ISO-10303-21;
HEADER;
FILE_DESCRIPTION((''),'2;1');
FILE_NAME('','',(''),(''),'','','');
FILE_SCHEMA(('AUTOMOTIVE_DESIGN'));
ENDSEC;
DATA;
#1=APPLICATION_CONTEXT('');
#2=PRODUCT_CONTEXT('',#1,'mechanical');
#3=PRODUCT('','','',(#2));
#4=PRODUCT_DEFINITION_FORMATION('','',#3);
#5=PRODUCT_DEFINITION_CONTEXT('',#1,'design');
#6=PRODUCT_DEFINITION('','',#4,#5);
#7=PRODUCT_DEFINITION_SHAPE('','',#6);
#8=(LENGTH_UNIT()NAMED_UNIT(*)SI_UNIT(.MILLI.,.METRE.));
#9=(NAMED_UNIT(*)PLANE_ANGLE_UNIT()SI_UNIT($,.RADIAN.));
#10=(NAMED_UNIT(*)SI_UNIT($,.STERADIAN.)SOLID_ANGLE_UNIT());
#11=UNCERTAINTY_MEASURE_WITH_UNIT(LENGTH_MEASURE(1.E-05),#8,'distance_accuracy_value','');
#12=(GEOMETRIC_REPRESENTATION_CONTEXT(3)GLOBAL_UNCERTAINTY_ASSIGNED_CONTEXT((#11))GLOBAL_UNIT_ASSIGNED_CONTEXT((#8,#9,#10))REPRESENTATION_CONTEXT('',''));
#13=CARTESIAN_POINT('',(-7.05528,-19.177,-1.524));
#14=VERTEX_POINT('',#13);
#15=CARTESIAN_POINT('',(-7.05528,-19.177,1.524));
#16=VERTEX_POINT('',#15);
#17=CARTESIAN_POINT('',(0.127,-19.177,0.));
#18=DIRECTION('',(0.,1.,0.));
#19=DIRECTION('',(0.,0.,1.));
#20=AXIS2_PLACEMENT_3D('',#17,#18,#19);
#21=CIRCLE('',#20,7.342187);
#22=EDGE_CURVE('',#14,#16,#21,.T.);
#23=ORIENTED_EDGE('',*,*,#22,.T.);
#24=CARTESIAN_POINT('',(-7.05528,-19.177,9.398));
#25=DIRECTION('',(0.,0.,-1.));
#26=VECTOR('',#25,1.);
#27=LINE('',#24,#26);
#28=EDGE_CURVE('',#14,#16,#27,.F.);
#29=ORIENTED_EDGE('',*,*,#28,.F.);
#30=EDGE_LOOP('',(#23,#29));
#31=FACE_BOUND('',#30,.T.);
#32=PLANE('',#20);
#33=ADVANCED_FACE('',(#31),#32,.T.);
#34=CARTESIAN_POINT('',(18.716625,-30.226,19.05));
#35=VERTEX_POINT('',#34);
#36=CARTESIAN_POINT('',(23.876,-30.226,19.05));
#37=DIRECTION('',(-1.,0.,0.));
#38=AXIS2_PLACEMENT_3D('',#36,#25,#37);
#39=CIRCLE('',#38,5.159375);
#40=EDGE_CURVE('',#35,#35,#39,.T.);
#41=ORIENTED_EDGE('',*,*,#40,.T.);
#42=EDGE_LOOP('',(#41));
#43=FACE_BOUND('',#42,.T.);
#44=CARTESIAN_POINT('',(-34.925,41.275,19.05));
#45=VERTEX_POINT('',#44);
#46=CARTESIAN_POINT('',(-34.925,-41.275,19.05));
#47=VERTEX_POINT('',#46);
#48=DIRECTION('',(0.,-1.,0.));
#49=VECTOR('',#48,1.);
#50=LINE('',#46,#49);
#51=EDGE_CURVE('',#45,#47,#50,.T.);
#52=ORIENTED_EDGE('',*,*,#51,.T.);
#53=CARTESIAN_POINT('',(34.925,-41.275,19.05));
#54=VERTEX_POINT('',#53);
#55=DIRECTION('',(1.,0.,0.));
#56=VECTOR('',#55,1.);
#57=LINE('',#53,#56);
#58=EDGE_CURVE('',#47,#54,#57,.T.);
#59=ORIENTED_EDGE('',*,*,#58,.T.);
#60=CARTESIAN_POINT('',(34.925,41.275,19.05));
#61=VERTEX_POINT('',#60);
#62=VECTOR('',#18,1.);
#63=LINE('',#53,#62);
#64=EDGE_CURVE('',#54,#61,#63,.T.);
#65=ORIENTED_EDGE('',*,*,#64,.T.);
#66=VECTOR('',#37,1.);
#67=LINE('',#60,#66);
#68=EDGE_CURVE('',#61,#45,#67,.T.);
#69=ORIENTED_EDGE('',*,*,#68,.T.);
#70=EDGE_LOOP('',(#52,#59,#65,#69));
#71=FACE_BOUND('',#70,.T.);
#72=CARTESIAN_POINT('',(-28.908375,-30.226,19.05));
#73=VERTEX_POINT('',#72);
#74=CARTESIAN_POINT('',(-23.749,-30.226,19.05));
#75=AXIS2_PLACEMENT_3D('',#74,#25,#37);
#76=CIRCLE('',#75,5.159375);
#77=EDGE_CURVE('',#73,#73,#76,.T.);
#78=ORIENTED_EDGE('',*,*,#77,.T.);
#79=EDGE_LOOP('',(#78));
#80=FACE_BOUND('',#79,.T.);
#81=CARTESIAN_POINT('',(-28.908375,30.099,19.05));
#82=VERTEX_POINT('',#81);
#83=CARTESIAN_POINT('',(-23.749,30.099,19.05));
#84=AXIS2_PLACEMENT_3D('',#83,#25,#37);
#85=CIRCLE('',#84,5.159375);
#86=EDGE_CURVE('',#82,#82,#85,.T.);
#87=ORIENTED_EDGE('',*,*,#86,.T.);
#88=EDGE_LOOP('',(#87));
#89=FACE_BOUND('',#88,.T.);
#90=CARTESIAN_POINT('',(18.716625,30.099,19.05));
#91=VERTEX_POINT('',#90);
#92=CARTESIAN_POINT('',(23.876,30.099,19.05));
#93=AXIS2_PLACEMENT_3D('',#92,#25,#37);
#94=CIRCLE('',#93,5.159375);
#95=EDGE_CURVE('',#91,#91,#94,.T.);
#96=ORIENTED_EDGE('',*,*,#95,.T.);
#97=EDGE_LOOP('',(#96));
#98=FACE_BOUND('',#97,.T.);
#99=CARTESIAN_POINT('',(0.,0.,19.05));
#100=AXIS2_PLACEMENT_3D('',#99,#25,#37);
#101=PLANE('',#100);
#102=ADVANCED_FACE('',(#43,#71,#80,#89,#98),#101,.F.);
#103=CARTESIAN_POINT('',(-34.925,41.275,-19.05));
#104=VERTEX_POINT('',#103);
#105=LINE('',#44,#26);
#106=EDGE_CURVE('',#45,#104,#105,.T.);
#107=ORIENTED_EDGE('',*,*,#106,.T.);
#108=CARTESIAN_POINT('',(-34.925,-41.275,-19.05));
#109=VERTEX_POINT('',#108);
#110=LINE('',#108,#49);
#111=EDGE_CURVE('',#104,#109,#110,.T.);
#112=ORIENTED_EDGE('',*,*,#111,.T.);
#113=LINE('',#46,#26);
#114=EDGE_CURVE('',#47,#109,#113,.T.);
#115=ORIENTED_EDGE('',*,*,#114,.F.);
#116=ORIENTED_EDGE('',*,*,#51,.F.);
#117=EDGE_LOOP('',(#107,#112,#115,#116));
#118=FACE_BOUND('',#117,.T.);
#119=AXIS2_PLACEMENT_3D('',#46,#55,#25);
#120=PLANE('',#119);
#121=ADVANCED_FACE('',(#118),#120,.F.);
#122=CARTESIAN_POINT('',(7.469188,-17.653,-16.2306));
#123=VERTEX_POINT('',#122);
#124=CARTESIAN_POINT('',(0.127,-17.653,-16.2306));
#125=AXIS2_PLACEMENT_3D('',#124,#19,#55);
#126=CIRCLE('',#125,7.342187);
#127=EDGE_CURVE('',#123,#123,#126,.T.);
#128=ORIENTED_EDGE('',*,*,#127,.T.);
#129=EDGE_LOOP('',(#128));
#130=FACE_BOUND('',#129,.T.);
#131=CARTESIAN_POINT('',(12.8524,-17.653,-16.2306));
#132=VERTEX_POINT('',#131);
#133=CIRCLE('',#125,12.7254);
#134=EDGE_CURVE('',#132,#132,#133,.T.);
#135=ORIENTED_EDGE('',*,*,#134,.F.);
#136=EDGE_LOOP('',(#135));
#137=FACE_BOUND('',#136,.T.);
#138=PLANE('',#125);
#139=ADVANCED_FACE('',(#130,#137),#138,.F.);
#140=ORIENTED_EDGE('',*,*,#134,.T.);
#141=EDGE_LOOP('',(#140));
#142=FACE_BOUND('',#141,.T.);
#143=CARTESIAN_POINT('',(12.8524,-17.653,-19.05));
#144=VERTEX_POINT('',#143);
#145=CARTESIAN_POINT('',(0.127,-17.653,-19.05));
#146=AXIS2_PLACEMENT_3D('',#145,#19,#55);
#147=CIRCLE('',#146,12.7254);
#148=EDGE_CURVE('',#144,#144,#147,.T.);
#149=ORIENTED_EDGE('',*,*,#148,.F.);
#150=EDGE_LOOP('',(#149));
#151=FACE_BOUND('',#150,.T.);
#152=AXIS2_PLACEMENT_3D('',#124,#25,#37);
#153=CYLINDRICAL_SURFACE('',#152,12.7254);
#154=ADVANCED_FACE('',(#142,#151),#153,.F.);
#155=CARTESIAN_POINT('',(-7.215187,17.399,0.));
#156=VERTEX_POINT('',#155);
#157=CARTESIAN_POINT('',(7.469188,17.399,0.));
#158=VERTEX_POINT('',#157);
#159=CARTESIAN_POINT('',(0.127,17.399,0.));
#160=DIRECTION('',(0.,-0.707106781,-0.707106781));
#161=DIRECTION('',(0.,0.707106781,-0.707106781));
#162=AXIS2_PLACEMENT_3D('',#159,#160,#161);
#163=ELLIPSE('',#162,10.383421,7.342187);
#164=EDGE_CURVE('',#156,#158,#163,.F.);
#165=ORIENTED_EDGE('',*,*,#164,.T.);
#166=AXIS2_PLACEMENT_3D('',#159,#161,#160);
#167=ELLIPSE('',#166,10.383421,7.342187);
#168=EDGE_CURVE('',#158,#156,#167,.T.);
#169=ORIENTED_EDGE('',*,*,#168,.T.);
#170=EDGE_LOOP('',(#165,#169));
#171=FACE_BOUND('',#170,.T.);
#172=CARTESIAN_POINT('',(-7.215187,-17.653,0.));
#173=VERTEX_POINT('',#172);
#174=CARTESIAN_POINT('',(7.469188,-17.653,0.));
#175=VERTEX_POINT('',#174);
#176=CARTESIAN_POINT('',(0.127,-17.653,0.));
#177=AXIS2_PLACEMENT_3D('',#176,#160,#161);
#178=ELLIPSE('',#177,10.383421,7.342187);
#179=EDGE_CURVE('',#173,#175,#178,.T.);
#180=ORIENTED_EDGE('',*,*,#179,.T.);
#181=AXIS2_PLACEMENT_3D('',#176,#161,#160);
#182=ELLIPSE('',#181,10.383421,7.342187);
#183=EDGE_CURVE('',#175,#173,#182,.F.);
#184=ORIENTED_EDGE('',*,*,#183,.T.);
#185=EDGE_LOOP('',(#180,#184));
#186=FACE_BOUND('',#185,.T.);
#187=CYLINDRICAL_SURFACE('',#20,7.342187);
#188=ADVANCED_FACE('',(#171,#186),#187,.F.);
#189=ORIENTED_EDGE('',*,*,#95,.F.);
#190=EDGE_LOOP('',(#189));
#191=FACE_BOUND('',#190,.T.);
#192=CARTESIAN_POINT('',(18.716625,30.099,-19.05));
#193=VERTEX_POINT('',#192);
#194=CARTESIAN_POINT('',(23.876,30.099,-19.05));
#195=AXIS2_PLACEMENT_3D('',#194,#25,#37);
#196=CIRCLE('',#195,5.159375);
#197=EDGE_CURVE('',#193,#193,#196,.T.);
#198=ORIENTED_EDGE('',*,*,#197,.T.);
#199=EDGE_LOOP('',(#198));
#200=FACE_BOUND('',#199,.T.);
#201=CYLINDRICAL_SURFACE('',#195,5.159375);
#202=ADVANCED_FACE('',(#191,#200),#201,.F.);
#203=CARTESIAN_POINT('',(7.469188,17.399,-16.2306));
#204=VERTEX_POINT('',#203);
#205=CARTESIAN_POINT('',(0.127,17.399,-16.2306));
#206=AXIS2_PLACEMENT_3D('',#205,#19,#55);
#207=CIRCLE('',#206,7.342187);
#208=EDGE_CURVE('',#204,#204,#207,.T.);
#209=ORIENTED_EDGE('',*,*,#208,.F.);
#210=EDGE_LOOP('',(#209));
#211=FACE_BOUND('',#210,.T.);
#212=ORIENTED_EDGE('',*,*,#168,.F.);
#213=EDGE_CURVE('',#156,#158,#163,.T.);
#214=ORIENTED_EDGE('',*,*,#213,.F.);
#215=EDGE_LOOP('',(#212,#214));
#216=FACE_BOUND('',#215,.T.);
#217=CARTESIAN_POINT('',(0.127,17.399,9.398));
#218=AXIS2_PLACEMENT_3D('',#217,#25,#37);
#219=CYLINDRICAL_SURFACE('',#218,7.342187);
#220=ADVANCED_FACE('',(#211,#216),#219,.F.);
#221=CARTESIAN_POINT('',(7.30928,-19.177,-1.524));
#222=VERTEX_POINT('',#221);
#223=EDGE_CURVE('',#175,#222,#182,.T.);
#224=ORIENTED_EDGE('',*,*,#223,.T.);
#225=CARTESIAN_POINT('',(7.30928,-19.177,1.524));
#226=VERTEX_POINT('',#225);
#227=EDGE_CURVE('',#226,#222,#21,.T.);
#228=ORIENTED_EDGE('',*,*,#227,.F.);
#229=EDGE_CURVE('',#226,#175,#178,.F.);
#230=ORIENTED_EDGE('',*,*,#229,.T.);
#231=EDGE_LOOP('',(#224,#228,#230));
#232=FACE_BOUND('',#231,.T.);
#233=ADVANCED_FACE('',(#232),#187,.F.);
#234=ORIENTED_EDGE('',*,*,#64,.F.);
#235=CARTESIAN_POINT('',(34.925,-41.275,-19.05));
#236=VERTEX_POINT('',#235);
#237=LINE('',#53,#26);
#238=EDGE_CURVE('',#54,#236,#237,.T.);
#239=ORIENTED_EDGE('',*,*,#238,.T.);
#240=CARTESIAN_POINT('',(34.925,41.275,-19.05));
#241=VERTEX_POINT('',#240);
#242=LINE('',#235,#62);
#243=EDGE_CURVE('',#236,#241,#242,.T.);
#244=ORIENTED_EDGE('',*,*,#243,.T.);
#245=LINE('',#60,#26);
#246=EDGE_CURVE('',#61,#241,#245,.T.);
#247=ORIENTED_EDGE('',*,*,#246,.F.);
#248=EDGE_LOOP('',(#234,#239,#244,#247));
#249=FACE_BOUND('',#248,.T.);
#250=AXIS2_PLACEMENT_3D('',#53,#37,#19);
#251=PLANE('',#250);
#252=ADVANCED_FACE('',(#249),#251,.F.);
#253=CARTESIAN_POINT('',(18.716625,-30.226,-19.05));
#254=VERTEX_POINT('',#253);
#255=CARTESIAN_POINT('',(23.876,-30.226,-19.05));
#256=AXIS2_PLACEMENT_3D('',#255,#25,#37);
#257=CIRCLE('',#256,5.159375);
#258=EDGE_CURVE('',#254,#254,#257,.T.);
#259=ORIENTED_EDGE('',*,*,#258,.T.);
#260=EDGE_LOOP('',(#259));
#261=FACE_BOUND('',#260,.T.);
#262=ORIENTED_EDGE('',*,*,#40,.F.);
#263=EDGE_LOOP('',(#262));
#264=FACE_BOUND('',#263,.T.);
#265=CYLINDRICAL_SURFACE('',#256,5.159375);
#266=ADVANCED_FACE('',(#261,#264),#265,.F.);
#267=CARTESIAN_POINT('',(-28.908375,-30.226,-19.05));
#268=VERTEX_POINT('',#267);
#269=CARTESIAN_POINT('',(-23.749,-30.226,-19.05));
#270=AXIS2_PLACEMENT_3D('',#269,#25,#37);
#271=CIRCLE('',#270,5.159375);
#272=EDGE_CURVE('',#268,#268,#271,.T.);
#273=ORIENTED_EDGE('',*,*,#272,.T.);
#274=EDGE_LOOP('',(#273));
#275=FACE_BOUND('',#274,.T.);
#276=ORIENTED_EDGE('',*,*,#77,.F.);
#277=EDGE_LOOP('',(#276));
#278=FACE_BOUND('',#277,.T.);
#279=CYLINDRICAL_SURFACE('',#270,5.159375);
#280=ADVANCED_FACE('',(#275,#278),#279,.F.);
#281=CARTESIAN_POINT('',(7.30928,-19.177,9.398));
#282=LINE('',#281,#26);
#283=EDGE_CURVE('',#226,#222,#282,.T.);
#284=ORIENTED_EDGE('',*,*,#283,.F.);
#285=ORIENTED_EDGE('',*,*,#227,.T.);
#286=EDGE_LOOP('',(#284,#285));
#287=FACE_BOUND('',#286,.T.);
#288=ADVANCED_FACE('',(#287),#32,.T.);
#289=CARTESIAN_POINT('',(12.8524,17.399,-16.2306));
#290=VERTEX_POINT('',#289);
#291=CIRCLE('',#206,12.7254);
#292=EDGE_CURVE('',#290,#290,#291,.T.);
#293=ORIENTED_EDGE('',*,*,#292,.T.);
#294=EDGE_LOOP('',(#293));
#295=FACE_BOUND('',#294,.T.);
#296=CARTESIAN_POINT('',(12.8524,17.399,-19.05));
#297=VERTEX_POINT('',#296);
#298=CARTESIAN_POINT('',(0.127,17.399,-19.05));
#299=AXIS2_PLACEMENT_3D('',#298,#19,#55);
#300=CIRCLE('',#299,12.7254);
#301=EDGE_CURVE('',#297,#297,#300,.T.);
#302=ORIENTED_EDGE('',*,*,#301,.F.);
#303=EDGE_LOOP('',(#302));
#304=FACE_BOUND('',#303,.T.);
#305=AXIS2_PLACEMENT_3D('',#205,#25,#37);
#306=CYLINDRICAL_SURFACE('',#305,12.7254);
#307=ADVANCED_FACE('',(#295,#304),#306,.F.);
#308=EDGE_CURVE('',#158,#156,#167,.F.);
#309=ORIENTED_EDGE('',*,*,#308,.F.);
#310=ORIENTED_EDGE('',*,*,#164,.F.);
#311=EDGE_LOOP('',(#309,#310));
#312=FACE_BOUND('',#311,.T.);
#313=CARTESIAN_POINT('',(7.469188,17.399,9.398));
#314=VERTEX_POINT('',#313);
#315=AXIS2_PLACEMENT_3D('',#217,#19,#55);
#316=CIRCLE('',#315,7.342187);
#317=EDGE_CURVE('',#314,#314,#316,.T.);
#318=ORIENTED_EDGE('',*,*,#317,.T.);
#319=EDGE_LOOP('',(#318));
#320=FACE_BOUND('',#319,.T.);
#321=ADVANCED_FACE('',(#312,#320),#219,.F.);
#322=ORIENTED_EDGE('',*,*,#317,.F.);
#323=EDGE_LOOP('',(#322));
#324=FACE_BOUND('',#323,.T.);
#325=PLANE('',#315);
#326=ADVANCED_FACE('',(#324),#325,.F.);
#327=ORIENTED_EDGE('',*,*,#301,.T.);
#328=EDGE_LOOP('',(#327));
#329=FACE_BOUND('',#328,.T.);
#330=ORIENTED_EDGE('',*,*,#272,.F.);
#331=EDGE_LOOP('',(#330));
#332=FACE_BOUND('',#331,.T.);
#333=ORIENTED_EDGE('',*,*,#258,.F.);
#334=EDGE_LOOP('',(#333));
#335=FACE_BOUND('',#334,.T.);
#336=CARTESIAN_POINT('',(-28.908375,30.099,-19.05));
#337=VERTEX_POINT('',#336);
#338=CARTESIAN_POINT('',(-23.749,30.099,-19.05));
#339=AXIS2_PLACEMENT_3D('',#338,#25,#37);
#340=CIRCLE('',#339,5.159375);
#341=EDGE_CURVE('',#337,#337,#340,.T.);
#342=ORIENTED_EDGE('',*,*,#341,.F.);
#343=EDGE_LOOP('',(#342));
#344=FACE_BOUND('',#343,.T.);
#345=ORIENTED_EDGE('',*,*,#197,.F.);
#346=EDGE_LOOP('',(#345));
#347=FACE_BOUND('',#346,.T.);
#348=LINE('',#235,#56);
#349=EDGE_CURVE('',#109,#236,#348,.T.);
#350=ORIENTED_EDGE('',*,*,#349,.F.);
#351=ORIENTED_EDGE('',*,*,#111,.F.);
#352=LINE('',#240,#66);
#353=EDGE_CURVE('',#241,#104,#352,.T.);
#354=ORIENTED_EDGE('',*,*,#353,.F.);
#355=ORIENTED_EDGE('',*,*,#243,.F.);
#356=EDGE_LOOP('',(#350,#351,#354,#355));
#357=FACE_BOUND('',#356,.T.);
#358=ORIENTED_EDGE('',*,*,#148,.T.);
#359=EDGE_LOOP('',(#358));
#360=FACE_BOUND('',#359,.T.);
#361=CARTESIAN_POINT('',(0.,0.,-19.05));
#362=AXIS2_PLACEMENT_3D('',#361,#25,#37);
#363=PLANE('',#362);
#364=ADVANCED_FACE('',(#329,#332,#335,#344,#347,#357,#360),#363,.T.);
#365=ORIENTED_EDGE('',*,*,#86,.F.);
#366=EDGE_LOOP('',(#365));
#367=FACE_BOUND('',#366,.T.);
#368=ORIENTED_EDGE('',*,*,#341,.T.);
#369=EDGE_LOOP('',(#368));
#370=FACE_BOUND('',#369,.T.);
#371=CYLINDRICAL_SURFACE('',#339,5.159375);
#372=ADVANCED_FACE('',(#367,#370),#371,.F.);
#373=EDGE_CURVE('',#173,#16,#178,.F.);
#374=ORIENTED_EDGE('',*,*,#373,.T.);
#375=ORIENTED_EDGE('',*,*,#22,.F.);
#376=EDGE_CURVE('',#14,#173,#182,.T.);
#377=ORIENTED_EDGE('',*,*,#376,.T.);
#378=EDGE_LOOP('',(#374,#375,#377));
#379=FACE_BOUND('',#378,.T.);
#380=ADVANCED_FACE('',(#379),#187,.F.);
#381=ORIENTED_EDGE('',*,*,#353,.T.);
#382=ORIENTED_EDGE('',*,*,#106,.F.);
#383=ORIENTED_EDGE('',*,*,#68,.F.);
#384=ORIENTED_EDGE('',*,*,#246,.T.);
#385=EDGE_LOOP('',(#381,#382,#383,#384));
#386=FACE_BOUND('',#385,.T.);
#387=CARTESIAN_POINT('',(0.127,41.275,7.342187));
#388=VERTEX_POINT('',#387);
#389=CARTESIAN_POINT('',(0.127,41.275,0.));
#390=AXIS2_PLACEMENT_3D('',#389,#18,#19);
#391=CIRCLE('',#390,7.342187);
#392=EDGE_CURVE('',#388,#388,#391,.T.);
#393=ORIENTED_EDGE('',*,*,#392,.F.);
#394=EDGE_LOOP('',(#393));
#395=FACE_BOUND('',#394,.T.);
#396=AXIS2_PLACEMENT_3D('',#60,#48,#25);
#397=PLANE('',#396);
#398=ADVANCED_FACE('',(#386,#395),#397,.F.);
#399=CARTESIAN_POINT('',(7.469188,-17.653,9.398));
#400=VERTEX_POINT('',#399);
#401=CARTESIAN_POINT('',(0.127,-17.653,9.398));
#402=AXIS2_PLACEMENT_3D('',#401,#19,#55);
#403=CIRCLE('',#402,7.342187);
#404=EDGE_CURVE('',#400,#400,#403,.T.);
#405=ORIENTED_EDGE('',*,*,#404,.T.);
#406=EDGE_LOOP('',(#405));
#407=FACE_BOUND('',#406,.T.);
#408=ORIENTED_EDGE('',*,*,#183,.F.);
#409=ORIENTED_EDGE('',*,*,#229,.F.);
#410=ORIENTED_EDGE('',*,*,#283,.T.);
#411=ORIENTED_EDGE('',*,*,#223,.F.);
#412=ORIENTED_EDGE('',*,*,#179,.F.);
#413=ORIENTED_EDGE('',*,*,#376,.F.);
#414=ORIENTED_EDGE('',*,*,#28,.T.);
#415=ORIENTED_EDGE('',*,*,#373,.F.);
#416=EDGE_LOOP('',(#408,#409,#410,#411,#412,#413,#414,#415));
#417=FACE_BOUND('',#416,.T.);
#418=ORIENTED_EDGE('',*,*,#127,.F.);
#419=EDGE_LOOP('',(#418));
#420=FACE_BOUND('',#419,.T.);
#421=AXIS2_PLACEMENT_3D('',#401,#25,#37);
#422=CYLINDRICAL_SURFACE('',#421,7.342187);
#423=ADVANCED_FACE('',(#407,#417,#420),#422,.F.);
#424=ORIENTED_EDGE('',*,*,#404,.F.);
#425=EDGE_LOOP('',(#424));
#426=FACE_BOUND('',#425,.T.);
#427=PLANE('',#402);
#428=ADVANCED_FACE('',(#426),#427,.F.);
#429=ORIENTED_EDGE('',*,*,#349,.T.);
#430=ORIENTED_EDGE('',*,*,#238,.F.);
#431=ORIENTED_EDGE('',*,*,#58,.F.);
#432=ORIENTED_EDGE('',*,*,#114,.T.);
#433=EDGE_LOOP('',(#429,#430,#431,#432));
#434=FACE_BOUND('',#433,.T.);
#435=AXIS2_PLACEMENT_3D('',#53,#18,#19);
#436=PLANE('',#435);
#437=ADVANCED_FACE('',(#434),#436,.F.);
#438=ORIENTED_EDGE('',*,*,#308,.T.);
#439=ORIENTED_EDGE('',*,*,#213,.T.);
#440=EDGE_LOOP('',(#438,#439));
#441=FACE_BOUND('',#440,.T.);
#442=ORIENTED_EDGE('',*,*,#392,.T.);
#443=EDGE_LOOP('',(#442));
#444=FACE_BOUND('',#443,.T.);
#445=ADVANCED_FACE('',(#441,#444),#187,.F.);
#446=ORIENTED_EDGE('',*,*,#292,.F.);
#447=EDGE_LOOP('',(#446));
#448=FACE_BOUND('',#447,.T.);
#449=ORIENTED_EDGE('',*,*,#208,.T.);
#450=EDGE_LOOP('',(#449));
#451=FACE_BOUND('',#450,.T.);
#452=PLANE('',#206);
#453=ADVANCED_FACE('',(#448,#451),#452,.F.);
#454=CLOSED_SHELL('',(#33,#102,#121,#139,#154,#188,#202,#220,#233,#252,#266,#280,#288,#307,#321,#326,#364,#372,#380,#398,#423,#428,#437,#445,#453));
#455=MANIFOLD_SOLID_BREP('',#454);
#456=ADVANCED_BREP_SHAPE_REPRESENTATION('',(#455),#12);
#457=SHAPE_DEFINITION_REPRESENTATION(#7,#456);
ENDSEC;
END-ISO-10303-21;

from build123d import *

# Parameters (mm, degrees)
SKETCH1_W                   = 82.55
SKETCH1_H                   = 69.85
BOSS_EXTRUDE1_DEPTH         = 19.05
F_3_8_CLEARANCE_HOLE1_D     = 10.31875
F_3_8_CLEARANCE_HOLE1_DEPTH = 38.1
F_3_8_CLEARANCE_HOLE1_TIP   = 3.100065256
F_3_8_CLEARANCE_HOLE2_D     = 10.31875
F_3_8_CLEARANCE_HOLE2_DEPTH = 38.1
F_3_8_CLEARANCE_HOLE2_TIP   = 3.100065256
CUT_EXTRUDE2_START          = -19.05
SKETCH6_R                   = 7.3421875
CUT_EXTRUDE2_DEPTH          = 28.448
CUT_EXTRUDE4_START          = -19.05
SKETCH7_R                   = 12.7254
CUT_EXTRUDE4_DEPTH          = 2.8194
CUT_EXTRUDE6_START          = -19.05
SKETCH8_R                   = 7.3421875
CUT_EXTRUDE6_DEPTH          = 28.448
CUT_EXTRUDE8_START          = -19.05
SKETCH9_R                   = 12.7254
CUT_EXTRUDE8_DEPTH          = 2.8194
CUT_EXTRUDE10_START         = 41.275
SKETCH10_R                  = 7.3421875
CUT_EXTRUDE10_DEPTH         = 60.452


with BuildPart() as part:
    # Sketch1 → Boss-Extrude1 (new, symmetric)
    with BuildSketch(Plane(origin=(0, 0, 0), x_dir=(0, 1, 0), z_dir=(0, 0, 1))):
        Rectangle(SKETCH1_W, SKETCH1_H)
    extrude(amount=BOSS_EXTRUDE1_DEPTH, both=True)

    # 3/8 Clearance Hole1
    with Locations(Plane(origin=(0, 0, -19.05), x_dir=(-1, 0, 0), z_dir=(0, 0, -1))):
        with Locations((-23.876, -30.226)):
            Hole(F_3_8_CLEARANCE_HOLE1_D / 2, depth=F_3_8_CLEARANCE_HOLE1_DEPTH)
            with Locations((0, 0, -(F_3_8_CLEARANCE_HOLE1_DEPTH + F_3_8_CLEARANCE_HOLE1_TIP / 2))):  # 118° drill point
                Cone(0, F_3_8_CLEARANCE_HOLE1_D / 2, F_3_8_CLEARANCE_HOLE1_TIP, mode=Mode.SUBTRACT)

    # 3/8 Clearance Hole2
    with Locations(Plane(origin=(0, 0, -19.05), x_dir=(-1, 0, 0), z_dir=(0, 0, -1))):
        with Locations((-23.876, 30.099), (23.749, -30.226), (23.749, 30.099)):
            Hole(F_3_8_CLEARANCE_HOLE2_D / 2, depth=F_3_8_CLEARANCE_HOLE2_DEPTH)
            with Locations((0, 0, -(F_3_8_CLEARANCE_HOLE2_DEPTH + F_3_8_CLEARANCE_HOLE2_TIP / 2))):  # 118° drill point
                Cone(0, F_3_8_CLEARANCE_HOLE2_D / 2, F_3_8_CLEARANCE_HOLE2_TIP, mode=Mode.SUBTRACT)

    # Sketch6 → Cut-Extrude2 (cut)
    with BuildSketch(Plane(origin=(0, 0, 0), x_dir=(0, 1, 0), z_dir=(0, 0, 1)).offset(CUT_EXTRUDE2_START)):
        with Locations(Location((-17.653, -0.127, 0), (0, 0, 270))):
            Circle(SKETCH6_R)
    extrude(amount=CUT_EXTRUDE2_DEPTH, mode=Mode.SUBTRACT)

    # Sketch7 → Cut-Extrude4 (cut)
    with BuildSketch(Plane(origin=(0, 0, 0), x_dir=(0, 1, 0), z_dir=(0, 0, 1)).offset(CUT_EXTRUDE4_START)):
        with Locations(Location((-17.653, -0.127, 0), (0, 0, 270))):
            Circle(SKETCH7_R)
    extrude(amount=CUT_EXTRUDE4_DEPTH, mode=Mode.SUBTRACT)

    # Sketch8 → Cut-Extrude6 (cut)
    with BuildSketch(Plane(origin=(0, 0, 0), x_dir=(0, 1, 0), z_dir=(0, 0, 1)).offset(CUT_EXTRUDE6_START)):
        with Locations(Location((17.399, -0.127, 0), (0, 0, 270))):
            Circle(SKETCH8_R)
    extrude(amount=CUT_EXTRUDE6_DEPTH, mode=Mode.SUBTRACT)

    # Sketch9 → Cut-Extrude8 (cut)
    with BuildSketch(Plane(origin=(0, 0, 0), x_dir=(0, 1, 0), z_dir=(0, 0, 1)).offset(CUT_EXTRUDE8_START)):
        with Locations(Location((17.399, -0.127, 0), (0, 0, 270))):
            Circle(SKETCH9_R)
    extrude(amount=CUT_EXTRUDE8_DEPTH, mode=Mode.SUBTRACT)

    # Sketch10 → Cut-Extrude10 (cut)
    with BuildSketch(Plane(origin=(0, 0, 0), x_dir=(-1, 0, 0), z_dir=(0, 1, 0)).offset(CUT_EXTRUDE10_START)):
        with Locations((-0.127, 0)):
            Circle(SKETCH10_R)
    extrude(amount=-CUT_EXTRUDE10_DEPTH, mode=Mode.SUBTRACT)


solid = part.part
